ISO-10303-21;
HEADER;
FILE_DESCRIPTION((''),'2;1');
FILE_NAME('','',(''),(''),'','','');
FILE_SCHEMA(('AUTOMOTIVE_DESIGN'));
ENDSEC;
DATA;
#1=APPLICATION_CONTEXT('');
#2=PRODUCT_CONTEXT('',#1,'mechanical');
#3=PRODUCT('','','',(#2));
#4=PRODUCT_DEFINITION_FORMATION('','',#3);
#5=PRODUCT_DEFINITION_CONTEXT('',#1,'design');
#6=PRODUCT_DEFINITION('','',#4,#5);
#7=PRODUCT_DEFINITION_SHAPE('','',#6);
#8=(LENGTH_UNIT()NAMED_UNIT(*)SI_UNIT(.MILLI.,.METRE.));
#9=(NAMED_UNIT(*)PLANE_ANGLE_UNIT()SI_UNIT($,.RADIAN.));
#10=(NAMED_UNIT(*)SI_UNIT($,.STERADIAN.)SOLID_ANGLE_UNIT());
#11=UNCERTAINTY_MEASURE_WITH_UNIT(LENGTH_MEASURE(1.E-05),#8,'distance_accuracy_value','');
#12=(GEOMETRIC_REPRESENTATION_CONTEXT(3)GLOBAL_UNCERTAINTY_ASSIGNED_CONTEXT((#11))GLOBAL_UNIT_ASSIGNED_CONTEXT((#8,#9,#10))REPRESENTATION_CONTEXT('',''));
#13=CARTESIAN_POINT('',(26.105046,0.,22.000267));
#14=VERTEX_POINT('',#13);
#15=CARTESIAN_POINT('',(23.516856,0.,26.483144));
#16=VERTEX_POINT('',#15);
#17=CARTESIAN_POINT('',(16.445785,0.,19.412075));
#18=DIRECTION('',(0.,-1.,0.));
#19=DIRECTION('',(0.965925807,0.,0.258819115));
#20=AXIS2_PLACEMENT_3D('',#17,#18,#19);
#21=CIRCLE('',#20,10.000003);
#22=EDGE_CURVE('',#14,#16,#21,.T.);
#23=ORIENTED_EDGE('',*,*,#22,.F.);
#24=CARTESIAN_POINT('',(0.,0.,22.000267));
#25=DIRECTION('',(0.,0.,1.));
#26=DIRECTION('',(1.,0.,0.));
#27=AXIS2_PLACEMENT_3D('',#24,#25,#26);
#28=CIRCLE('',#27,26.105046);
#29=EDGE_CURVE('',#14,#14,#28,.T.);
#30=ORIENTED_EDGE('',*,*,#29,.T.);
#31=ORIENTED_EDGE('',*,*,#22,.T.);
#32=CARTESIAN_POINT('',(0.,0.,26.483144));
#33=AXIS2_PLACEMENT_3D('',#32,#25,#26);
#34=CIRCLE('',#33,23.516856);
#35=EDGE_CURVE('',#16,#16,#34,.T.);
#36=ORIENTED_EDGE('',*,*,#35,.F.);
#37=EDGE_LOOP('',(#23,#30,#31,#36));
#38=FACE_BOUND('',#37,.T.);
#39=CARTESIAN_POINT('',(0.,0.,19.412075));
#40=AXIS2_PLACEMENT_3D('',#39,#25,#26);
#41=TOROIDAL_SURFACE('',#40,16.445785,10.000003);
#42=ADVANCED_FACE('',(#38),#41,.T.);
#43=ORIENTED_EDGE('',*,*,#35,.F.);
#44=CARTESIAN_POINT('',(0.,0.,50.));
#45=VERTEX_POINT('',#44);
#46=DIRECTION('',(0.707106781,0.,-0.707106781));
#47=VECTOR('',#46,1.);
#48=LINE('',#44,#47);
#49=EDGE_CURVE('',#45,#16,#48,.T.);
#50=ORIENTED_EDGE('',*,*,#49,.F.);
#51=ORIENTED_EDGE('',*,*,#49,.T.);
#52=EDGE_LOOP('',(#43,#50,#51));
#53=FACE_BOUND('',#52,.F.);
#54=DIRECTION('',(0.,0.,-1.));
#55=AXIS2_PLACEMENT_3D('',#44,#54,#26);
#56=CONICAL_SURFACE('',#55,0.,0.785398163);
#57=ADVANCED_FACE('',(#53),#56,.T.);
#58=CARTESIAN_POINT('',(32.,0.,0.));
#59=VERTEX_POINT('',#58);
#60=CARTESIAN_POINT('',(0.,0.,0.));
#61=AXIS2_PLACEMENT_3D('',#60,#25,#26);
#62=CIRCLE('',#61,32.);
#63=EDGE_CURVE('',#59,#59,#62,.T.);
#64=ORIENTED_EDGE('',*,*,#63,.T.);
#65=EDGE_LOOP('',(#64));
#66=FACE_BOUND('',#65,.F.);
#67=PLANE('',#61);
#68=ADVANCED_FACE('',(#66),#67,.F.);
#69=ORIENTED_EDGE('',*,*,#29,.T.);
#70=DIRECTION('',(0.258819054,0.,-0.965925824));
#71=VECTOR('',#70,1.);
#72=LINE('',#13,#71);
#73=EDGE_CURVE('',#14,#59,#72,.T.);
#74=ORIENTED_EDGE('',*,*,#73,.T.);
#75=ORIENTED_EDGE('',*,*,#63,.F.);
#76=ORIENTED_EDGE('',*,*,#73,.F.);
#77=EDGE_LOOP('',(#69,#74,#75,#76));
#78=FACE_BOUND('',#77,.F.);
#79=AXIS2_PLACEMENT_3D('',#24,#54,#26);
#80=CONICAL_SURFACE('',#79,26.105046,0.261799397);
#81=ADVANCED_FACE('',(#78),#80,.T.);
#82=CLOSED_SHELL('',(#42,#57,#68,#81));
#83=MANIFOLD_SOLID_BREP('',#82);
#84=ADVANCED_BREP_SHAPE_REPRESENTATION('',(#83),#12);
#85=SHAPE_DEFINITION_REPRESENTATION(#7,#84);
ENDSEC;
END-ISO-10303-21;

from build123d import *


with BuildPart() as part:
    # Sketch → Revolution (revolve)
    with BuildSketch(Plane.XZ):
        with BuildLine():
            Line((0, 50), (23.516856, 26.483144))
            ThreePointArc((26.105046, 22.000267), (25.106042, 24.412076), (23.516856, 26.483144))
            Line((26.105046, 22.000267), (32, 0))
            Line((32, 0), (0, 0))
            Line((0, 0), (0, 50))
        make_face()
    revolve(axis=Axis((0, 0, 0), (0, 0, 1)))


solid = part.part
